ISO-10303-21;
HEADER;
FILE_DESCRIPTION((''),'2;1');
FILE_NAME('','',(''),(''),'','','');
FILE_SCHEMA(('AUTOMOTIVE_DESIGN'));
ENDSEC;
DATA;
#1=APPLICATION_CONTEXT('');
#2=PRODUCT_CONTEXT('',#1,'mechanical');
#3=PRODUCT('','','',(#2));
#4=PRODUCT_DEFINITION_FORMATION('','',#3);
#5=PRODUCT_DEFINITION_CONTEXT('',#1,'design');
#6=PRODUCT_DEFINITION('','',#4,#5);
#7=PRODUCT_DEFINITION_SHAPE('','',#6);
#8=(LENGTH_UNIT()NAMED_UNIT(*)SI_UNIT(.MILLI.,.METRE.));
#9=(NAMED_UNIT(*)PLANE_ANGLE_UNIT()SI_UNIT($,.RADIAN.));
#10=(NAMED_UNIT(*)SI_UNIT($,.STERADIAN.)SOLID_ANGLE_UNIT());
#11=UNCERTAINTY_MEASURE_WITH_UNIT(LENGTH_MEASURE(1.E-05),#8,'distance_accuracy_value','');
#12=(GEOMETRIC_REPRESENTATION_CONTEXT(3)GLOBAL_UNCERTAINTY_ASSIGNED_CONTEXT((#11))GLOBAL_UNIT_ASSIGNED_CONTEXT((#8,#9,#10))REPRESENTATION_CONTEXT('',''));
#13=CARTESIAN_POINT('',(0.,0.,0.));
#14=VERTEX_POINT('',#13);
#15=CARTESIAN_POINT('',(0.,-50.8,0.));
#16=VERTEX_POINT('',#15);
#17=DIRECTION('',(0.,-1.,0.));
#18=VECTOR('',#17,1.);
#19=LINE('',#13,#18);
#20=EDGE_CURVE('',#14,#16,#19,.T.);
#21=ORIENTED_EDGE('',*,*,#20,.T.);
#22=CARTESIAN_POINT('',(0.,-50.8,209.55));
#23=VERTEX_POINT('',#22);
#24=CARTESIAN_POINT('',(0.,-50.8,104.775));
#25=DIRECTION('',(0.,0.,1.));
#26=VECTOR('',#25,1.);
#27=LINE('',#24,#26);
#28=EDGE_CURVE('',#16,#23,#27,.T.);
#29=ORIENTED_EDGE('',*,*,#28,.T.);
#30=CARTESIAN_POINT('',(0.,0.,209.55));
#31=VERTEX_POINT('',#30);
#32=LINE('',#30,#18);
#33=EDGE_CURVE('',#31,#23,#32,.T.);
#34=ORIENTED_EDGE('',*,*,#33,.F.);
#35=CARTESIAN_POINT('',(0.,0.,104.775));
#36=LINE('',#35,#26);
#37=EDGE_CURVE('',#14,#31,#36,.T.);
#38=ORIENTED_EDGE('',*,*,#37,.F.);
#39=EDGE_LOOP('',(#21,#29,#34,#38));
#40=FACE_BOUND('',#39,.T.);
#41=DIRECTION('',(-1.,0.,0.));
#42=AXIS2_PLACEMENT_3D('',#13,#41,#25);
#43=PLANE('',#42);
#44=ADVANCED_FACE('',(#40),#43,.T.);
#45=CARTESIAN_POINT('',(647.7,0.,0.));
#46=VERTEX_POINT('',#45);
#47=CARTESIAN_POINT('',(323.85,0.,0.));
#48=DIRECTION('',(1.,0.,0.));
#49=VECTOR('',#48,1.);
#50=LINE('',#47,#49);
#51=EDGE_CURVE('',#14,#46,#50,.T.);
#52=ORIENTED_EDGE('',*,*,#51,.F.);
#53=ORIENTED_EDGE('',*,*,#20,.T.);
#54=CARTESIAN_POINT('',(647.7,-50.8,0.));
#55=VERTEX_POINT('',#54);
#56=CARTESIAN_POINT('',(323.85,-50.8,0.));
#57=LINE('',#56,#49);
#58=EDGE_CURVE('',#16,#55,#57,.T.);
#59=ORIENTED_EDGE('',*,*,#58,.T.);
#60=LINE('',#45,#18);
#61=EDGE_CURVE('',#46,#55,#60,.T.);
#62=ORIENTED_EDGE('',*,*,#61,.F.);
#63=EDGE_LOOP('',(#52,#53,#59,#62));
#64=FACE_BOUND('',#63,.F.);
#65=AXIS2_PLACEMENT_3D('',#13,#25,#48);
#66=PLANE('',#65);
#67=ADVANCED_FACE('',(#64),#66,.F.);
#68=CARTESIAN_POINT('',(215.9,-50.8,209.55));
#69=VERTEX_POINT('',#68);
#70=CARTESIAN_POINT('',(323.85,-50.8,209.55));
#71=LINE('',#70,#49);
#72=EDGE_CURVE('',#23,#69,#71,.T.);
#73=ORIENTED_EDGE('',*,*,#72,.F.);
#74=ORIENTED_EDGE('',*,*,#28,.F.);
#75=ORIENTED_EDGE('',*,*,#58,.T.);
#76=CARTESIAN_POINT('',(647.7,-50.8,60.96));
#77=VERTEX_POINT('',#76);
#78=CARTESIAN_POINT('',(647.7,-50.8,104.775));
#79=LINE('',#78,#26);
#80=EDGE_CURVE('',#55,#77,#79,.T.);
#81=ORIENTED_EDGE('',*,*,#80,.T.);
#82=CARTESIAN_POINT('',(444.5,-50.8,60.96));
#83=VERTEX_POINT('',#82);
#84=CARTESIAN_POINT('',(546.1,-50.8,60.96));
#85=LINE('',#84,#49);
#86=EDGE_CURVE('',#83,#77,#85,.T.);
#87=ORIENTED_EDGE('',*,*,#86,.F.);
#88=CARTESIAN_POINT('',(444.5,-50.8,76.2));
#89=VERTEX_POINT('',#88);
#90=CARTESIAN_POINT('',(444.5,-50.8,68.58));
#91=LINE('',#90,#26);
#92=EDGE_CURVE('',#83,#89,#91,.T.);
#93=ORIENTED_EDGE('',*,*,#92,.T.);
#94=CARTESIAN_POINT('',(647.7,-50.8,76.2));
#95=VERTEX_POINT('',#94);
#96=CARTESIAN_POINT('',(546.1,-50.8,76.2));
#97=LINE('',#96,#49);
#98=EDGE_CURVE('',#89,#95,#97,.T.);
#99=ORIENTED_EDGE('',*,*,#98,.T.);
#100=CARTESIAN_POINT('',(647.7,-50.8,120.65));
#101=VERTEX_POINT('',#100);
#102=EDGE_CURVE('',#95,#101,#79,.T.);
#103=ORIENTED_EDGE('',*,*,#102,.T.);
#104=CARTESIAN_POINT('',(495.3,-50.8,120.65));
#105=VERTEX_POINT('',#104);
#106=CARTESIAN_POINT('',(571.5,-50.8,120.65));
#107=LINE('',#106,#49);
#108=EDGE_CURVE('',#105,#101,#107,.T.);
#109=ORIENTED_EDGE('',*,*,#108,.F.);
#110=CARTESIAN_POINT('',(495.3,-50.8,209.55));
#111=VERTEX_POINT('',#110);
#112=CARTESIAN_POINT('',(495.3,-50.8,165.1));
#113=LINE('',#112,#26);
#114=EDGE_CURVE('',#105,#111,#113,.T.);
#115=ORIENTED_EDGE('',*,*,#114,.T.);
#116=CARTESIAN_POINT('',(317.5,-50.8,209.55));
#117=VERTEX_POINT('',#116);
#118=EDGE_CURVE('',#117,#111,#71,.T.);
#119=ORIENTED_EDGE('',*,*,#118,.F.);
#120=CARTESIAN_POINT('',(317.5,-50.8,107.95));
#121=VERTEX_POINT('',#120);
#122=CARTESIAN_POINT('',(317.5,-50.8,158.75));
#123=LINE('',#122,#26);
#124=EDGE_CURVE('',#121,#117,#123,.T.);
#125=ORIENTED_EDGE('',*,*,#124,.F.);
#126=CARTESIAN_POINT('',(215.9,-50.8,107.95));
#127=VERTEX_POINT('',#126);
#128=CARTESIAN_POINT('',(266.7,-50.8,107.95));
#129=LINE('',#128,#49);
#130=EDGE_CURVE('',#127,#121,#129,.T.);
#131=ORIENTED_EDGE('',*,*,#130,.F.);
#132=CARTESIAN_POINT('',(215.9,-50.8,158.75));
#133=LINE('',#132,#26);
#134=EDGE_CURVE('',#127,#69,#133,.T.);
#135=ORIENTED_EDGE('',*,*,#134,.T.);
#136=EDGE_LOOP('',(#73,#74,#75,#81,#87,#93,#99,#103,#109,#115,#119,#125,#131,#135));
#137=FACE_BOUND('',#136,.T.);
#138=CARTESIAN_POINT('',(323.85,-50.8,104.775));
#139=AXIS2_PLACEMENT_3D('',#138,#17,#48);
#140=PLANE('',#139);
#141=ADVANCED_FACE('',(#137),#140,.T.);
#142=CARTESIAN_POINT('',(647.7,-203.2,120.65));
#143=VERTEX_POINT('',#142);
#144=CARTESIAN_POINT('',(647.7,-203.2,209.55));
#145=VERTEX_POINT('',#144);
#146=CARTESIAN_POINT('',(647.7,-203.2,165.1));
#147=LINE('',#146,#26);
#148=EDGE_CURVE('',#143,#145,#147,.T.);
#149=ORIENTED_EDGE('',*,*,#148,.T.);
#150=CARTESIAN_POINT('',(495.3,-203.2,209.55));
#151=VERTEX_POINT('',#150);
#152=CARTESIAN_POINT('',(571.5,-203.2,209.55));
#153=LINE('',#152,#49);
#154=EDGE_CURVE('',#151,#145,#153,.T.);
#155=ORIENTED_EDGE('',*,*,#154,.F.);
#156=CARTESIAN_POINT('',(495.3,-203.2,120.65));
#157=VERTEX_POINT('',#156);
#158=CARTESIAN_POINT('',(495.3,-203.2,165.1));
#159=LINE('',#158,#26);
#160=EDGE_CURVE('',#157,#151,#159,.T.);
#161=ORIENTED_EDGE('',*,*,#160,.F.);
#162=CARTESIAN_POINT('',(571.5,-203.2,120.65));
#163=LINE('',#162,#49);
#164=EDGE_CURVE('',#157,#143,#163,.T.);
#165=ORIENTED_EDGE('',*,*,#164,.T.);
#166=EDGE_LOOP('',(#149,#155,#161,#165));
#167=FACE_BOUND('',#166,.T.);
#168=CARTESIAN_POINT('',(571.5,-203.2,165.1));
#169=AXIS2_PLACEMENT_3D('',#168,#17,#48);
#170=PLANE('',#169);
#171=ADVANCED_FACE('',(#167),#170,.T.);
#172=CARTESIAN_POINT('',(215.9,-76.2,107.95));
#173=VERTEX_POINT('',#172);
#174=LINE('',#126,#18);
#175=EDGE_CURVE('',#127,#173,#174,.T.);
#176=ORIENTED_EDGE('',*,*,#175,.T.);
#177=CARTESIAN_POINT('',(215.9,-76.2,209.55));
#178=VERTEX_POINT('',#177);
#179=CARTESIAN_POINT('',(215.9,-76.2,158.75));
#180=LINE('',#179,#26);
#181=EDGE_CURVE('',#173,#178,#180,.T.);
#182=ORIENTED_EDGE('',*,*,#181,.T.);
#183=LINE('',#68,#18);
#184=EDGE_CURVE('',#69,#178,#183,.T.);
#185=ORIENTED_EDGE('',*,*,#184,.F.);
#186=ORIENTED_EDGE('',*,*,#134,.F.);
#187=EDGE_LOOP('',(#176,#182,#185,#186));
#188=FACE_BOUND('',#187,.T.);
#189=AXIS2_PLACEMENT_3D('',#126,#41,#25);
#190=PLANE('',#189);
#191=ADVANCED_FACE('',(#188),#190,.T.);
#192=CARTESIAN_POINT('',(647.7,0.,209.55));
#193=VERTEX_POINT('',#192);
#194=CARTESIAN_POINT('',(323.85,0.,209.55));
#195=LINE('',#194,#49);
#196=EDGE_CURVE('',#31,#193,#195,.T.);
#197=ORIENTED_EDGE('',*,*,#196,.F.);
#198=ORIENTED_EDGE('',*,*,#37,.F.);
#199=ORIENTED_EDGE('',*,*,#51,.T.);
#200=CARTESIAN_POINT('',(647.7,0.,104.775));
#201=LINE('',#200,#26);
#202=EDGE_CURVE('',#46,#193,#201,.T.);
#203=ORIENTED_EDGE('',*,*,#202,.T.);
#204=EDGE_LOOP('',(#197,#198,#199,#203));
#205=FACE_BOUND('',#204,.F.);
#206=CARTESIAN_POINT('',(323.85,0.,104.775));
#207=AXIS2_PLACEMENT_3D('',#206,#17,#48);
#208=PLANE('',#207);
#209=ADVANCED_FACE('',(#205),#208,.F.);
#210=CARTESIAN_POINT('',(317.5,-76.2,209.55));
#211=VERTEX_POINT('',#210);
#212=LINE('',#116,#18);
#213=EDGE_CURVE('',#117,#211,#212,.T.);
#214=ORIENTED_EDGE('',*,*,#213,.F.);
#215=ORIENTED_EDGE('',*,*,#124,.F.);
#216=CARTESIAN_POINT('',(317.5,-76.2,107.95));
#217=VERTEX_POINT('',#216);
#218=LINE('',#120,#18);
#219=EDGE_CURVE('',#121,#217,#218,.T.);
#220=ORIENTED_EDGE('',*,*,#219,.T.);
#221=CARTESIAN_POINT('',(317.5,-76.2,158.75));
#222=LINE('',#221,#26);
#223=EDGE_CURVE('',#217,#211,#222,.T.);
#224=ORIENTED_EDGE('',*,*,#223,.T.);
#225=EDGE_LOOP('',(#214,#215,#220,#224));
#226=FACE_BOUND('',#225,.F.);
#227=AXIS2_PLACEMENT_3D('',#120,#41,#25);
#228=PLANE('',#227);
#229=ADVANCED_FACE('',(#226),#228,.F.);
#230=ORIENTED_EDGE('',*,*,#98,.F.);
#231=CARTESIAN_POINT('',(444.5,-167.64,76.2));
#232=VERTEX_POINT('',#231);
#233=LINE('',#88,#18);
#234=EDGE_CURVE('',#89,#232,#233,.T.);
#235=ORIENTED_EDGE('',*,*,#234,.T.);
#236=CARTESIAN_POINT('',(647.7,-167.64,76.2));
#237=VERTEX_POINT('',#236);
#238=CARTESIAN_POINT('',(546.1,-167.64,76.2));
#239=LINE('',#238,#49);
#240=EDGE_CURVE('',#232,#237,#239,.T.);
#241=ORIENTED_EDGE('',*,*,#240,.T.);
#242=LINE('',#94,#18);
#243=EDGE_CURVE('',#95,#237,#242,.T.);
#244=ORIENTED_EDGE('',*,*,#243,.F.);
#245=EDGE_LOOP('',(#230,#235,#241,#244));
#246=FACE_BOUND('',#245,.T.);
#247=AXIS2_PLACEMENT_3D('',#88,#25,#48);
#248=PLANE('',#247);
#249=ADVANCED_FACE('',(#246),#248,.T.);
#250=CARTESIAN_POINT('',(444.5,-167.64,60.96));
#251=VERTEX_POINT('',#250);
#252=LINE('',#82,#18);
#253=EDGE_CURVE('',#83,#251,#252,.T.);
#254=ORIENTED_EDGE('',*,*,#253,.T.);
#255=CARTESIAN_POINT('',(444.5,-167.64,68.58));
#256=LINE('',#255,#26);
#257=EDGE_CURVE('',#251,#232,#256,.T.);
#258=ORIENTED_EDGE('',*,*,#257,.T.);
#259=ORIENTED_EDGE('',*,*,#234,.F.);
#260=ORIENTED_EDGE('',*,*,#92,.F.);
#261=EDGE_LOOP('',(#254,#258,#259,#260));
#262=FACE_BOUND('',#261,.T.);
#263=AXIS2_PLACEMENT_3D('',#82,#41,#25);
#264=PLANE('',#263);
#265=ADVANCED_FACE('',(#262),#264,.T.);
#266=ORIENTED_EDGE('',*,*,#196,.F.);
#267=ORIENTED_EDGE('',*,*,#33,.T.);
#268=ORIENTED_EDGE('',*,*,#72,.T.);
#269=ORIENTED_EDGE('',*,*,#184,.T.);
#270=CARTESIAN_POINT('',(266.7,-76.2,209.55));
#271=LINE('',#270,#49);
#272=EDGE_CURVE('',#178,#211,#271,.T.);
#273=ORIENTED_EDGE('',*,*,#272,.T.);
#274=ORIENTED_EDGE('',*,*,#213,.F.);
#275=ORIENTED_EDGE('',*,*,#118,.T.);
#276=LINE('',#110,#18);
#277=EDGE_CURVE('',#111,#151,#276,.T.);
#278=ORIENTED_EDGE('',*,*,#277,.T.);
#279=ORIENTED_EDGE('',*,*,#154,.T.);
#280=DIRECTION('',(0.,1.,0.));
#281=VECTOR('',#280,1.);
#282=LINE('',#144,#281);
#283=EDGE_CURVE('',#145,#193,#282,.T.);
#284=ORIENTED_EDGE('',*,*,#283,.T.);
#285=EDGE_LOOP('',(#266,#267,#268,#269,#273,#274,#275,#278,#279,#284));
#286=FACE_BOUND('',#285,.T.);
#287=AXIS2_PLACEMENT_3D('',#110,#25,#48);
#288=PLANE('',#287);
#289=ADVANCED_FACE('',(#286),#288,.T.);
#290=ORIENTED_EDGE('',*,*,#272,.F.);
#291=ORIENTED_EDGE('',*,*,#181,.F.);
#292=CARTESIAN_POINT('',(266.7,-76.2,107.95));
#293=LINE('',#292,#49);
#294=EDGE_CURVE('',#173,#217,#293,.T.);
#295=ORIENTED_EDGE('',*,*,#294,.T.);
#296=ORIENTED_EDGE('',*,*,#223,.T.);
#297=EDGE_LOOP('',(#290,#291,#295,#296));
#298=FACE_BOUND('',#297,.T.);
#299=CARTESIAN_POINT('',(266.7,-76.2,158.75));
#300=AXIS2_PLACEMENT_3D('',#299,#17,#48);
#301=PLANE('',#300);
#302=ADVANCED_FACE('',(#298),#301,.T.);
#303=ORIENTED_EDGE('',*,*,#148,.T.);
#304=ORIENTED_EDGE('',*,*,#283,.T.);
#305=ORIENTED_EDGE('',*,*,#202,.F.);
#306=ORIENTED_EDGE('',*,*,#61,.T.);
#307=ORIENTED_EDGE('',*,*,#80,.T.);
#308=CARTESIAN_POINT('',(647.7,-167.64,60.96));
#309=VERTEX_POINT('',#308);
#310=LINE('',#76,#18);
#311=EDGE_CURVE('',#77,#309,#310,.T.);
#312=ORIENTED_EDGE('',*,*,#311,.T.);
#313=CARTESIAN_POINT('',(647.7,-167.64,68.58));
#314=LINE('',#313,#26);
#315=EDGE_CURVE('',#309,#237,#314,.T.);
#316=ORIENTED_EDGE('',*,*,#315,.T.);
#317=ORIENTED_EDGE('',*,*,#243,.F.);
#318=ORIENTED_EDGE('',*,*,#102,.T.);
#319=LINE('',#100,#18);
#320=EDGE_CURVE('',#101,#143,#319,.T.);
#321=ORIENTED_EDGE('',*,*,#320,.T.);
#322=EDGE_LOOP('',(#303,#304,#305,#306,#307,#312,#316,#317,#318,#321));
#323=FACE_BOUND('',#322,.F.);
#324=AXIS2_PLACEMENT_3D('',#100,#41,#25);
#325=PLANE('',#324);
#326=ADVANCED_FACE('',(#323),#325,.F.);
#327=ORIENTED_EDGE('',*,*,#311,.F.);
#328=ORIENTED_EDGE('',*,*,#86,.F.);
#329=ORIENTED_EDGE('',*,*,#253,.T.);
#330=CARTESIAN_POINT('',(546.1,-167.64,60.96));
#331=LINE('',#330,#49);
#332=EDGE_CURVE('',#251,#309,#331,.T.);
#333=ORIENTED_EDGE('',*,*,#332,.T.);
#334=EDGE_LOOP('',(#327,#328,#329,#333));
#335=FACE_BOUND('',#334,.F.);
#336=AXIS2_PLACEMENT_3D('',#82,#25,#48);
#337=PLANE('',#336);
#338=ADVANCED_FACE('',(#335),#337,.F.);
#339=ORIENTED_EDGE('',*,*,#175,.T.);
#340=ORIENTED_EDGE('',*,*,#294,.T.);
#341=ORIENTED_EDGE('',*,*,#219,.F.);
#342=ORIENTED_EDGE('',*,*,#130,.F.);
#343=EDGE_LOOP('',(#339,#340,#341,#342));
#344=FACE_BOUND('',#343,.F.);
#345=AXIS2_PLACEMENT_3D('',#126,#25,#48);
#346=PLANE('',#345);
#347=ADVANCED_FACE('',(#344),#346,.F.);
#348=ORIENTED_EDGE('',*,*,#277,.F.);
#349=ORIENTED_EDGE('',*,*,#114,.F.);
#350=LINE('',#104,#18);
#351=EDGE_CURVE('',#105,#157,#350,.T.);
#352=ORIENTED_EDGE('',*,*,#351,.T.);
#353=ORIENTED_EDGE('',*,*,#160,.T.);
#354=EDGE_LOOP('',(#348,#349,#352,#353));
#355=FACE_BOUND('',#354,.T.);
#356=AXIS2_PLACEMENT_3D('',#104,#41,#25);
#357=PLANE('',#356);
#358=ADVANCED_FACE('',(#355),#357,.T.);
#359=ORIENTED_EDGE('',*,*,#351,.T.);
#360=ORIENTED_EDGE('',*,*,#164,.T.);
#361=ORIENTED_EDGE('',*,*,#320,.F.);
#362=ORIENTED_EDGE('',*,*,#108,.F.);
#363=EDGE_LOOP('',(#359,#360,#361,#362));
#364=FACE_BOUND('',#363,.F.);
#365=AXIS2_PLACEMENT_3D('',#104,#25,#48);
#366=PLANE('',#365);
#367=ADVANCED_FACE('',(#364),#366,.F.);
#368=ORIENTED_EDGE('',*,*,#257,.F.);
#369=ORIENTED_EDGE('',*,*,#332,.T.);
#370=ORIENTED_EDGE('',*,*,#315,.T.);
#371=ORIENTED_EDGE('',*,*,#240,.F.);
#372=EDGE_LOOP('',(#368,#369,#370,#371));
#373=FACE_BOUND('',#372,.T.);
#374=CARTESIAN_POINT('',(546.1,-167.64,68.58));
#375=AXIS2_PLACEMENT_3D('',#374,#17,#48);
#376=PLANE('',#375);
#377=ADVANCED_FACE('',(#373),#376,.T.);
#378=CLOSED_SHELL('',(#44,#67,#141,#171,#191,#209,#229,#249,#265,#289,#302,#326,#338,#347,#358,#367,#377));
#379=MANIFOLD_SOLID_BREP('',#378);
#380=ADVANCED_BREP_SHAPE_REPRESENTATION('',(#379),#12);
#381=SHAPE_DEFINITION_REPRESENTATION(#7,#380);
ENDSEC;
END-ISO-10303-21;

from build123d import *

# Parameters (mm, degrees)
F0_W     = 647.7
F0_H     = 209.55
F1_DEPTH = 50.8
F2_W     = 101.6
F2_H     = 101.6
F3_DEPTH = 25.4
F4_W     = 203.2
F4_H     = 15.24
F5_DEPTH = 116.84
F6_W     = 152.4
F6_H     = 88.9
F7_DEPTH = 152.4


with BuildPart() as f1:
    # F0 (on Front) → F1 (new body)
    with BuildSketch(Plane.XZ):
        with Locations((323.85, 104.775)):
            Rectangle(F0_W, F0_H)
    extrude(amount=F1_DEPTH)

    # F2 (on face) → F3 (join)
    with BuildSketch(Plane.XZ.offset(50.8)):
        with Locations((266.7, 158.75)):
            Rectangle(F2_W, F2_H)
    extrude(amount=F3_DEPTH)

    # F4 (on face) → F5 (join)
    with BuildSketch(Plane.XZ.offset(50.8)):
        with Locations((546.1, 68.58)):
            Rectangle(F4_W, F4_H)
    extrude(amount=F5_DEPTH)

    # F6 (on face) → F7 (join)
    with BuildSketch(Plane.XZ.offset(50.8)):
        with Locations((571.5, 165.1)):
            Rectangle(F6_W, F6_H)
    extrude(amount=F7_DEPTH)


solid = f1.part
